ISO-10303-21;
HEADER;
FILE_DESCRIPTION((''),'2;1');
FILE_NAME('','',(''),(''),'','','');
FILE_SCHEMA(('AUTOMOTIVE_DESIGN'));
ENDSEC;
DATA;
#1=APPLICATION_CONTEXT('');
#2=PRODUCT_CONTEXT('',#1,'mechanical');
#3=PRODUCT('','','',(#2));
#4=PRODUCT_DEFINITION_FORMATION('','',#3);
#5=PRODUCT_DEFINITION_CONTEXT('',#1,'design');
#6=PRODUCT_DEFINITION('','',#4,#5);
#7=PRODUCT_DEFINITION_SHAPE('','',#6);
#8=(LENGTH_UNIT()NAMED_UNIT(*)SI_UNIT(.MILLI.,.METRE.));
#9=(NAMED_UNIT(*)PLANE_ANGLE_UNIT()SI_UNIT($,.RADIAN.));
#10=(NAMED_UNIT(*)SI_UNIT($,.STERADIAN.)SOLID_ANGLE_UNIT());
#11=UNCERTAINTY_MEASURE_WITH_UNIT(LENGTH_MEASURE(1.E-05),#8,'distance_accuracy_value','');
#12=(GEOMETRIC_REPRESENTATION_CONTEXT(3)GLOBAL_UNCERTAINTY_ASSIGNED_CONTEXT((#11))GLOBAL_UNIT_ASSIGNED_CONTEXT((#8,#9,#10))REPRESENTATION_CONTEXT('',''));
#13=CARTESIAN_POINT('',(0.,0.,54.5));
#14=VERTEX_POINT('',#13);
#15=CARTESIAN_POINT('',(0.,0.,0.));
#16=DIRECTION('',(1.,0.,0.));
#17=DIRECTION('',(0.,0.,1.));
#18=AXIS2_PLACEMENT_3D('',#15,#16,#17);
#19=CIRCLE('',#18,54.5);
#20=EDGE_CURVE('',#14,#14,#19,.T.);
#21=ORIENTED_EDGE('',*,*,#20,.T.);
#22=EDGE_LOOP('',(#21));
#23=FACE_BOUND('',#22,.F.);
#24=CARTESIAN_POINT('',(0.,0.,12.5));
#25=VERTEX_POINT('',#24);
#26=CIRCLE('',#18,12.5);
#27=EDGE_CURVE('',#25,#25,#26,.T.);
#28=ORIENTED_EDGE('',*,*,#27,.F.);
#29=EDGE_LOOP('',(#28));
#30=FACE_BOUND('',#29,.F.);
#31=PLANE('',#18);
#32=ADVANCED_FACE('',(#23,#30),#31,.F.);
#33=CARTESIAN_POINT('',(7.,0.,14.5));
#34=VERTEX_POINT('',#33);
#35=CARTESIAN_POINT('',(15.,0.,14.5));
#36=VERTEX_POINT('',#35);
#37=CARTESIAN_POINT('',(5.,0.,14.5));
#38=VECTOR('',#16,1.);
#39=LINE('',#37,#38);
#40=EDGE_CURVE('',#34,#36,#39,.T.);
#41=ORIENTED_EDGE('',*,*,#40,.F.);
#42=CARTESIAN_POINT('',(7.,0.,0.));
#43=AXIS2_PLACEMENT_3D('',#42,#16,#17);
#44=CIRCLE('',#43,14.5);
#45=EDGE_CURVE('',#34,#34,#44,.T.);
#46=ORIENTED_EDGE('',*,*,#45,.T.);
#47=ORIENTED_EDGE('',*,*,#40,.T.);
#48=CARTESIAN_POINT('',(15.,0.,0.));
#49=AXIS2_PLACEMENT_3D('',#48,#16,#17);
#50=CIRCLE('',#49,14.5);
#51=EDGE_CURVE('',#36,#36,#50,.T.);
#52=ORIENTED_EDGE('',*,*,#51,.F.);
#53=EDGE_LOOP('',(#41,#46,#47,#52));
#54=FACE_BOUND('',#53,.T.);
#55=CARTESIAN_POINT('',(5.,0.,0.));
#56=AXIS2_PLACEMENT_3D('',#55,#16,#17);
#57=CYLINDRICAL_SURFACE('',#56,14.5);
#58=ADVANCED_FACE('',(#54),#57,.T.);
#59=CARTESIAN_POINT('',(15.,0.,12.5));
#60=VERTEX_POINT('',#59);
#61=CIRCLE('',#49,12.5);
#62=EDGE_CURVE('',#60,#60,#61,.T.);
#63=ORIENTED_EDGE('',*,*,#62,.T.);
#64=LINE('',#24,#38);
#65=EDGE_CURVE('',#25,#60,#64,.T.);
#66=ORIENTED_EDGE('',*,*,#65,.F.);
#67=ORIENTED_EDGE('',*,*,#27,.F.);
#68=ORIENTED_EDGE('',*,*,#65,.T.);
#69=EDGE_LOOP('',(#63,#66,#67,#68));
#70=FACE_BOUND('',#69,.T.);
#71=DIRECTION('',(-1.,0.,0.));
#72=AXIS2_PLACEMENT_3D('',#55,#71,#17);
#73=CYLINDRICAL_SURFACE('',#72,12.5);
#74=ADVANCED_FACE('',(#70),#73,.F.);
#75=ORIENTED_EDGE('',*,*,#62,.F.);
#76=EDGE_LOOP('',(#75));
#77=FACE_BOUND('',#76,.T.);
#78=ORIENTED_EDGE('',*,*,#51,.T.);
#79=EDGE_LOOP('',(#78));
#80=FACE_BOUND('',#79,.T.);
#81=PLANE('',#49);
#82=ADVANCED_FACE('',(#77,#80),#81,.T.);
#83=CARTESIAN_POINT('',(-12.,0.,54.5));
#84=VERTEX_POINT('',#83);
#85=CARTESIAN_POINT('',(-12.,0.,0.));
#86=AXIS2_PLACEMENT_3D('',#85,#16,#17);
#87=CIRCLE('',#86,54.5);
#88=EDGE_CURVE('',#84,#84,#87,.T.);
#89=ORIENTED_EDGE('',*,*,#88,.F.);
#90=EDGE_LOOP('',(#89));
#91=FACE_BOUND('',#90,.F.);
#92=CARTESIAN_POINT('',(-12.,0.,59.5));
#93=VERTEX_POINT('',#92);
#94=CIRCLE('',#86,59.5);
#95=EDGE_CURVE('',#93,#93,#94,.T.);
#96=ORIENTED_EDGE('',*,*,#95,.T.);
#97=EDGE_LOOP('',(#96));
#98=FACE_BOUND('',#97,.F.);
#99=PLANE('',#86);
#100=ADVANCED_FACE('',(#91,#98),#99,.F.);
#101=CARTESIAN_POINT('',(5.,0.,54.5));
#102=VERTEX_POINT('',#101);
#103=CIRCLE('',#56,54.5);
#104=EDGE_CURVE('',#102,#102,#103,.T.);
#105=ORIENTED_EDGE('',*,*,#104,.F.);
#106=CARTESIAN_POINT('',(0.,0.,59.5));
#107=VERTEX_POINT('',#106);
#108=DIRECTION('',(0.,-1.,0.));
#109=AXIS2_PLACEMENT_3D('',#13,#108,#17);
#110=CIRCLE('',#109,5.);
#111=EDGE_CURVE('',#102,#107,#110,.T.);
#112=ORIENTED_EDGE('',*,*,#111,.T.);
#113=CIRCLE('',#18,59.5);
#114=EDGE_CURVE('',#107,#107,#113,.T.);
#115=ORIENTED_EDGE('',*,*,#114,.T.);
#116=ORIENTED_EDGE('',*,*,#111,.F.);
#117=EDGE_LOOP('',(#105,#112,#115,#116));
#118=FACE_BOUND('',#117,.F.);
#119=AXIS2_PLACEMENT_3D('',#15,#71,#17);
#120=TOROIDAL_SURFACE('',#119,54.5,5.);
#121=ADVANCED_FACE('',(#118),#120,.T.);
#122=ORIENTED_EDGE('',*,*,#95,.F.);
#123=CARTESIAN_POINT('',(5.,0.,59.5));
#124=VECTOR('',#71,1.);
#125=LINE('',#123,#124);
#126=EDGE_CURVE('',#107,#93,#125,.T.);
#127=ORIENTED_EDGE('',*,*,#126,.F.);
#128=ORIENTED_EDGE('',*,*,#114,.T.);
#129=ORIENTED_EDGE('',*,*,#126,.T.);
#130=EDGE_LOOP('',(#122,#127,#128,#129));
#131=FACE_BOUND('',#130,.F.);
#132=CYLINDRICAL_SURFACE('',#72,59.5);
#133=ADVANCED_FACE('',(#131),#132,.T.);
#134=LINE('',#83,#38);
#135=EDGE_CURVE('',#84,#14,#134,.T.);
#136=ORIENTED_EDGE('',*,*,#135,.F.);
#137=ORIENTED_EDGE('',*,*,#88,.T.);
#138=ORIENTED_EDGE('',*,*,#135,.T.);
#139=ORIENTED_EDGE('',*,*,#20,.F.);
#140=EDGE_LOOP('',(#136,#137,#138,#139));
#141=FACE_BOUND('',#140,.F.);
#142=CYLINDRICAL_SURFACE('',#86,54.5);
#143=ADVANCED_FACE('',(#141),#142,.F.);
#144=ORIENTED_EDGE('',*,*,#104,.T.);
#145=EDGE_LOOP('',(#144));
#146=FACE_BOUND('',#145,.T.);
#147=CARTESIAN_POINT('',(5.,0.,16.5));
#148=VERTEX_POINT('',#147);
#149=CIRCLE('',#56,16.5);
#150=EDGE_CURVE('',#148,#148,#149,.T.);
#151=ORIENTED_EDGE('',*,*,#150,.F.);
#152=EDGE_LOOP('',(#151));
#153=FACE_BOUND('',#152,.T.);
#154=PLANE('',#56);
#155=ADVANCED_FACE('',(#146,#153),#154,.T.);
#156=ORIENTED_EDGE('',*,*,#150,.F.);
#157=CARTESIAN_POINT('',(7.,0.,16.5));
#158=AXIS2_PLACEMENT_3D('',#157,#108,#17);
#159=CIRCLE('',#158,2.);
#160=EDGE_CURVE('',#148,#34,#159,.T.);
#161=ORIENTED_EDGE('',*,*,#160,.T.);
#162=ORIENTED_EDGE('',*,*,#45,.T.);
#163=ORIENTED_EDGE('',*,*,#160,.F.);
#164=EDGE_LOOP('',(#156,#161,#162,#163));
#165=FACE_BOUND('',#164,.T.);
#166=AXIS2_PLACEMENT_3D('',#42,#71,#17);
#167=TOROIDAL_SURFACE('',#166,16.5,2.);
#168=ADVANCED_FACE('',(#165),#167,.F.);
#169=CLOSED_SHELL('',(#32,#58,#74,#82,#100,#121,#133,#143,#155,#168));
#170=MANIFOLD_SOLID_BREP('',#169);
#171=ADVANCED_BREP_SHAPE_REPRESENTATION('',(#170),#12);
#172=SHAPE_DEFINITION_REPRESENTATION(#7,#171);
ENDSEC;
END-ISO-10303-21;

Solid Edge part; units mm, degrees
sketch "Sketch1" plane through (0, 0, 0) normal (0, -1, 0) x (1, 0, 0)
  line L0 (0, 54.5) -> (0, 12.5)
  line L1 (5, 12.5) -> (0, 12.5)
  line L2 (5, 59.5) -> (5, 12.5)
  line L3 (5, 59.5) -> (-12, 59.5)
  line L4 (-12, 59.5) -> (-12, 54.5)
  line L5 (-12, 54.5) -> (0, 54.5)
  dimension "D1" = 5
  dimension "D2" = 12.5
  dimension "D3" = 5
  dimension "D4" = 12
  dimension "D5" = 54.5
revolve "RevolvedProtrusion1" add sketch "Sketch1" angle 360 about axis through (0, 0, 0) along (1, 0, 0)
sketch "Sketch2" plane through (0, 0, 0) normal (0, 1, 0) x (-1, 0, 0)
  line L0 (-5, 12.5) -> (-5, 14.5)
  line L1 (-5, 14.5) -> (-15, 14.5)
  line L2 (-15, 14.5) -> (-15, 12.5)
  line L3 (-15, 12.5) -> (-5, 12.5)
  dimension "D1" = 10
  dimension "D2" = 2
revolve "RevolvedProtrusion2" add sketch "Sketch2" angle 360 about axis through (0, 0, 0) along (1, 0, 0)
fillet "Round1" radius 2 1 edges at (5, 0, 14.5)
fillet "Round_7" radius 5 1 edges at (5, 0, -59.5)
properties material "Steel"
